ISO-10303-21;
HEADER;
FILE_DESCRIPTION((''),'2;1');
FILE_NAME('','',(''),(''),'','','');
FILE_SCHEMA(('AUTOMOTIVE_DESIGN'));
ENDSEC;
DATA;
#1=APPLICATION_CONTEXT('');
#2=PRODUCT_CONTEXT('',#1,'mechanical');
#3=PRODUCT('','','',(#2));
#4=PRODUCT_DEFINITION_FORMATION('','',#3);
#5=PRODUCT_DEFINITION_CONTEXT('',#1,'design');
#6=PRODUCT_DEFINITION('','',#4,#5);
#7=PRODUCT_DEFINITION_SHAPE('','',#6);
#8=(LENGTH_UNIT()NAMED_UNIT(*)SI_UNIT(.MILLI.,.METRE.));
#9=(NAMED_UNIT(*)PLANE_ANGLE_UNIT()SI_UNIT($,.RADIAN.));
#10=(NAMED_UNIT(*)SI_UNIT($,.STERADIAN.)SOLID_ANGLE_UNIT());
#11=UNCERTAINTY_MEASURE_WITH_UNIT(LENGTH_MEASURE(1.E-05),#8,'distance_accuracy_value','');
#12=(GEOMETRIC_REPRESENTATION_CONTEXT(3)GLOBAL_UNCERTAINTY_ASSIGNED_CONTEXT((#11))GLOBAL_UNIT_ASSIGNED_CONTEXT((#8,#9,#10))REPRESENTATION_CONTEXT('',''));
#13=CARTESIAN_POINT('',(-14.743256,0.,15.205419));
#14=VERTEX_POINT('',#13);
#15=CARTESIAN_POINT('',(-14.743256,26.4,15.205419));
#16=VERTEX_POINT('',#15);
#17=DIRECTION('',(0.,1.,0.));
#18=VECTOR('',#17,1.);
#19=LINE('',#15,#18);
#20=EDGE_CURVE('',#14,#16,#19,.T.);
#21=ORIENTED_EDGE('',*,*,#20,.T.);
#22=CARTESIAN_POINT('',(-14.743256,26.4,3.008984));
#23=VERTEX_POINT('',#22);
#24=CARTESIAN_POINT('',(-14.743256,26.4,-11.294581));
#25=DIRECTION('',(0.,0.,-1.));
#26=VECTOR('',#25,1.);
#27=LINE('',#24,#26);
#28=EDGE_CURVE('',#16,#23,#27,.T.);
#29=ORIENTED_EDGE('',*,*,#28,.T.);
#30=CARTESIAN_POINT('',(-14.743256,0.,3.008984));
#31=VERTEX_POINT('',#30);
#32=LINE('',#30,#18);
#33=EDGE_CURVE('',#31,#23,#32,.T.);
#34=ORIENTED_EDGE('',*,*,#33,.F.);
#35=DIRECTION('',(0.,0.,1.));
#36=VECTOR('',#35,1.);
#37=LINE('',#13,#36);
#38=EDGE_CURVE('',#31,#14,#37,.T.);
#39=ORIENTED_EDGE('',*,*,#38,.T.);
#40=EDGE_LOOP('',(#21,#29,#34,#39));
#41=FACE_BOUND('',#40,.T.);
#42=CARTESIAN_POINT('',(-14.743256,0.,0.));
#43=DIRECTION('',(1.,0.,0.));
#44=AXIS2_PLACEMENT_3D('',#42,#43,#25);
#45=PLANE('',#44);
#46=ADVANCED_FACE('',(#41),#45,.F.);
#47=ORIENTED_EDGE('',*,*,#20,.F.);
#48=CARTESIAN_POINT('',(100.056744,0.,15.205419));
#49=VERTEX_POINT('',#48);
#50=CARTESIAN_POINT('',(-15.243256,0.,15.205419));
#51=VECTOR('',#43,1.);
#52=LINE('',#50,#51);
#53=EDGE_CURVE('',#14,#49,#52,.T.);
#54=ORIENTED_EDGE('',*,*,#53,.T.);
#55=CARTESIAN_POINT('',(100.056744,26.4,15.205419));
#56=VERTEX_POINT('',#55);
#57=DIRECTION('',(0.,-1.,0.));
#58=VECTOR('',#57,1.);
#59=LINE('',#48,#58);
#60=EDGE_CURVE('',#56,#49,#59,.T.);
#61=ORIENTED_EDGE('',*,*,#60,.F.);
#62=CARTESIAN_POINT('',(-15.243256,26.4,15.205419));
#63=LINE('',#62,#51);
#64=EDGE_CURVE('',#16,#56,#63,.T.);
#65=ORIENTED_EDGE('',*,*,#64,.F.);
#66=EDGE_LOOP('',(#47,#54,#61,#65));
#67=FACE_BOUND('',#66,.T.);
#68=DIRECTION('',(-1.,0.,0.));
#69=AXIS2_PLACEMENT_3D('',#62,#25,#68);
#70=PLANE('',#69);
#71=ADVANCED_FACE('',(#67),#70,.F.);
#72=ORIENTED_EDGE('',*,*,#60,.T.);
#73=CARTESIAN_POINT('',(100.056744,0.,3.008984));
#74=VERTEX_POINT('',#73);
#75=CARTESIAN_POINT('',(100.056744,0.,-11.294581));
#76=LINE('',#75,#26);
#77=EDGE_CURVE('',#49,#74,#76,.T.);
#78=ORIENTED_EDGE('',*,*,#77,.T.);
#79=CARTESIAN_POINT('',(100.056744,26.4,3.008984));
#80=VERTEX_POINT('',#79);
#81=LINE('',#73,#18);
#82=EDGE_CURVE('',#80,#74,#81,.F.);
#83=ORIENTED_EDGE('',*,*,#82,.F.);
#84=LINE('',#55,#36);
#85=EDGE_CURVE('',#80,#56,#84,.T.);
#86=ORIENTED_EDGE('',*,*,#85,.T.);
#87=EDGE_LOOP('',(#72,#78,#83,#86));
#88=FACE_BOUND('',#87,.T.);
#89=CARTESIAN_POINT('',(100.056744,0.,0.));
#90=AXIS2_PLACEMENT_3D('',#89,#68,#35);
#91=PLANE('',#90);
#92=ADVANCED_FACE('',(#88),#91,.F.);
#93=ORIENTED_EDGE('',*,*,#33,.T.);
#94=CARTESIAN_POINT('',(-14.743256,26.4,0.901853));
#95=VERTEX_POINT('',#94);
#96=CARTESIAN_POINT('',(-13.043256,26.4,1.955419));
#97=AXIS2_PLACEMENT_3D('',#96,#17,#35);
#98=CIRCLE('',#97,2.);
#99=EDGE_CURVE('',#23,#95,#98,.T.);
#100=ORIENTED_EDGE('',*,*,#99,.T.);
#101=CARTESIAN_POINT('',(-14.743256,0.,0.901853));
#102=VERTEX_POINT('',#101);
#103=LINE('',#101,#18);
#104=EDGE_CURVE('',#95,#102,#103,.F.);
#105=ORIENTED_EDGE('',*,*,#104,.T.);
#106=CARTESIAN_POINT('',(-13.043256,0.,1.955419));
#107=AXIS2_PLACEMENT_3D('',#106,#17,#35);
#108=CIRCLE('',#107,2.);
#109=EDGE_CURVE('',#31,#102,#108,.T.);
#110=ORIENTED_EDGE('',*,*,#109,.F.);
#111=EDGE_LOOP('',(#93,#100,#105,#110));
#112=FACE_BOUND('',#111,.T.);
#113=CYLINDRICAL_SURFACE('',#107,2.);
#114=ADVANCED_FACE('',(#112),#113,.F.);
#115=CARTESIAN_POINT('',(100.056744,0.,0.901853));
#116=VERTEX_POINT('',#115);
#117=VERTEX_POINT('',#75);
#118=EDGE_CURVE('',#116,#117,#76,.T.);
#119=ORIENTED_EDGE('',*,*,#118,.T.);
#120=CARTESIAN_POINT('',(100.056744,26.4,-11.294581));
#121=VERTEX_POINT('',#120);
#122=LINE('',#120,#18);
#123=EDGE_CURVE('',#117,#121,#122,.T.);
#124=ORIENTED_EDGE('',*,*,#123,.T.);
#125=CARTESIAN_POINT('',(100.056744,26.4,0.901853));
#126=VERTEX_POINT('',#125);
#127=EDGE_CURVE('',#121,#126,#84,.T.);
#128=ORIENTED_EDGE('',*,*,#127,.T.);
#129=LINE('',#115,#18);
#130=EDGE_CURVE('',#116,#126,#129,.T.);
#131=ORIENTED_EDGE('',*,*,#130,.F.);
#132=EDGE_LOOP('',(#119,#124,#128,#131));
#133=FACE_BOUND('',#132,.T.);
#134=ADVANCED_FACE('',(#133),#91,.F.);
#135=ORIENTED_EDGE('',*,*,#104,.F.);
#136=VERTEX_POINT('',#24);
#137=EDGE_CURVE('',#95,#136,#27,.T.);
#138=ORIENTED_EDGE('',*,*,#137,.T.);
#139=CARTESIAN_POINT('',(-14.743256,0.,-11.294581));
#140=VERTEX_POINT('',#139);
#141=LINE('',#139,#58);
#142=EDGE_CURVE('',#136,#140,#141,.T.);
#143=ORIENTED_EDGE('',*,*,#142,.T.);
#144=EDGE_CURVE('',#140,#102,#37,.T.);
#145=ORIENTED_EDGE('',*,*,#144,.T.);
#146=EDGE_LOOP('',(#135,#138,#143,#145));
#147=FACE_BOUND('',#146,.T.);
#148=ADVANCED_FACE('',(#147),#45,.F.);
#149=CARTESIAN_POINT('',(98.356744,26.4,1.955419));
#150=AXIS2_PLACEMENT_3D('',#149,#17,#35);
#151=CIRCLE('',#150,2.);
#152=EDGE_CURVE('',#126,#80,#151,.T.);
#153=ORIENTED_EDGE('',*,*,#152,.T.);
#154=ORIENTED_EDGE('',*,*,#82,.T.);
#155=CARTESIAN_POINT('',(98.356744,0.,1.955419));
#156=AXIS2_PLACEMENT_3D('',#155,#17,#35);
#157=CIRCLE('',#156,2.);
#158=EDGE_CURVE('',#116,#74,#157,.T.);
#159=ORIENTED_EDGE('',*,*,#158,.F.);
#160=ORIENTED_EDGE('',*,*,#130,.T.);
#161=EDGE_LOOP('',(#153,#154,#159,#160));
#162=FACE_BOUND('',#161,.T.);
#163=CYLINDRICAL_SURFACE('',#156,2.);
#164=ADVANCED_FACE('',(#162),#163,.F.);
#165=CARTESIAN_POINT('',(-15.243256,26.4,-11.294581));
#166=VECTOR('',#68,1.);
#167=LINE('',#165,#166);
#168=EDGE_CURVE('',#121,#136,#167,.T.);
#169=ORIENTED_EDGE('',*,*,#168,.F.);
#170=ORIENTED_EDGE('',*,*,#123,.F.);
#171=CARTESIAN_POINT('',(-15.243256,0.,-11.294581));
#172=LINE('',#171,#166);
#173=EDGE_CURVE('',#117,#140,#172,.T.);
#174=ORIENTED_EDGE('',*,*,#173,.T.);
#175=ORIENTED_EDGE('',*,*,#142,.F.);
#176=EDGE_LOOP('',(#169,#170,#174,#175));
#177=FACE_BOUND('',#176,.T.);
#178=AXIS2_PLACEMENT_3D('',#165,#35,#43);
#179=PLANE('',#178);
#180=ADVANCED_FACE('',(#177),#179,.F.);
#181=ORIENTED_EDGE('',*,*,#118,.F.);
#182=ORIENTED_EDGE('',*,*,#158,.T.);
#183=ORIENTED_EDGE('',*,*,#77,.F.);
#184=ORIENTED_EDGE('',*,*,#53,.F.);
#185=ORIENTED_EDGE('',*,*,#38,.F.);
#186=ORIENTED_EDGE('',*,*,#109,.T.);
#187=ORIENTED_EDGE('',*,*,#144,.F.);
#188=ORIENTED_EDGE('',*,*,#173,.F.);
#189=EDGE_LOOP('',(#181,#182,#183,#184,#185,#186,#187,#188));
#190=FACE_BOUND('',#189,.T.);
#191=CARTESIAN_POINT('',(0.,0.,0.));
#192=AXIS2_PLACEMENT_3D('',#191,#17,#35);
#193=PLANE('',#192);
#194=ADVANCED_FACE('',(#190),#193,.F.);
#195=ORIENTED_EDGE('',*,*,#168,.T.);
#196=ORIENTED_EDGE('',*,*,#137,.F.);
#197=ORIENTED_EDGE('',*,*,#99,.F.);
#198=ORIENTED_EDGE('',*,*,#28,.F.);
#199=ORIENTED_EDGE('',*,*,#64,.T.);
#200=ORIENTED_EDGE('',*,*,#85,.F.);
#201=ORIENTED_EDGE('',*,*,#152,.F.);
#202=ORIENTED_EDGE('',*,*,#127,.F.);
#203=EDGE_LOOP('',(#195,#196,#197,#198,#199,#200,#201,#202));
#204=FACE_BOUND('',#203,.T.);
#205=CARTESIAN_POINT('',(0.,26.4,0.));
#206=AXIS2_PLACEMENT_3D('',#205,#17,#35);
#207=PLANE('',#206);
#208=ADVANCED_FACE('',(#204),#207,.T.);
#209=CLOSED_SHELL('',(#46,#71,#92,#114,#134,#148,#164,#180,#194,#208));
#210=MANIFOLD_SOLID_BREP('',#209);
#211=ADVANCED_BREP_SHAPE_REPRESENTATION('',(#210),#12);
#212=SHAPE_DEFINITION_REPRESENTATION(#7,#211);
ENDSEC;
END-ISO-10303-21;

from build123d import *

# Parameters (mm, degrees)
SKETCH_1_W          = 115.8
SKETCH_1_H          = 26.5
EXTRUDE_1_DEPTH     = 26.4
SKETCH_2_R          = 2
CUT_EXTRUDE_5_DEPTH = 106.070564596
SKETCH_3_W          = 26.5
SKETCH_3_H          = 26.4
CUT_EXTRUDE_6_DEPTH = 0.5
SKETCH_4_W          = 26.5
SKETCH_4_H          = 26.4
CUT_EXTRUDE_7_DEPTH = 0.5


with BuildPart() as part:
    # 草图1 → 凸台-拉伸1 (new body)
    with BuildSketch(Plane(origin=(0, 0, 0), x_dir=(1, 0, 0), z_dir=(0, 1, 0))):
        with Locations((42.656744125, -1.955418624)):
            Rectangle(SKETCH_1_W, SKETCH_1_H)
    extrude(amount=EXTRUDE_1_DEPTH)

    # 草图2 → 切除-拉伸5 (cut, through all)
    with BuildSketch(Plane(origin=(0, 26.4, 0), x_dir=(1, 0, 0), z_dir=(0, 1, 0))):
        with Locations(Location((-13.043255875, -1.955418624, 0), (0, 0, 270))):
            Circle(SKETCH_2_R)
        with Locations(Location((98.356744125, -1.955418624, 0), (0, 0, 270))):
            Circle(SKETCH_2_R)
    extrude(amount=-CUT_EXTRUDE_5_DEPTH, mode=Mode.SUBTRACT)

    # 草图3 → 切除-拉伸6 (cut)
    with BuildSketch(Plane(origin=(100.556744125, 0, 0), x_dir=(0, 0, -1), z_dir=(1, 0, 0))):
        with Locations((-1.955418624, 13.2)):
            Rectangle(SKETCH_3_W, SKETCH_3_H)
    extrude(amount=-CUT_EXTRUDE_6_DEPTH, mode=Mode.SUBTRACT)

    # 草图4 → 切除-拉伸7 (cut)
    with BuildSketch(Plane.ZY.offset(15.243255875)):
        with Locations((1.955418624, 13.2)):
            Rectangle(SKETCH_4_W, SKETCH_4_H)
    extrude(amount=-CUT_EXTRUDE_7_DEPTH, mode=Mode.SUBTRACT)


solid = part.part
